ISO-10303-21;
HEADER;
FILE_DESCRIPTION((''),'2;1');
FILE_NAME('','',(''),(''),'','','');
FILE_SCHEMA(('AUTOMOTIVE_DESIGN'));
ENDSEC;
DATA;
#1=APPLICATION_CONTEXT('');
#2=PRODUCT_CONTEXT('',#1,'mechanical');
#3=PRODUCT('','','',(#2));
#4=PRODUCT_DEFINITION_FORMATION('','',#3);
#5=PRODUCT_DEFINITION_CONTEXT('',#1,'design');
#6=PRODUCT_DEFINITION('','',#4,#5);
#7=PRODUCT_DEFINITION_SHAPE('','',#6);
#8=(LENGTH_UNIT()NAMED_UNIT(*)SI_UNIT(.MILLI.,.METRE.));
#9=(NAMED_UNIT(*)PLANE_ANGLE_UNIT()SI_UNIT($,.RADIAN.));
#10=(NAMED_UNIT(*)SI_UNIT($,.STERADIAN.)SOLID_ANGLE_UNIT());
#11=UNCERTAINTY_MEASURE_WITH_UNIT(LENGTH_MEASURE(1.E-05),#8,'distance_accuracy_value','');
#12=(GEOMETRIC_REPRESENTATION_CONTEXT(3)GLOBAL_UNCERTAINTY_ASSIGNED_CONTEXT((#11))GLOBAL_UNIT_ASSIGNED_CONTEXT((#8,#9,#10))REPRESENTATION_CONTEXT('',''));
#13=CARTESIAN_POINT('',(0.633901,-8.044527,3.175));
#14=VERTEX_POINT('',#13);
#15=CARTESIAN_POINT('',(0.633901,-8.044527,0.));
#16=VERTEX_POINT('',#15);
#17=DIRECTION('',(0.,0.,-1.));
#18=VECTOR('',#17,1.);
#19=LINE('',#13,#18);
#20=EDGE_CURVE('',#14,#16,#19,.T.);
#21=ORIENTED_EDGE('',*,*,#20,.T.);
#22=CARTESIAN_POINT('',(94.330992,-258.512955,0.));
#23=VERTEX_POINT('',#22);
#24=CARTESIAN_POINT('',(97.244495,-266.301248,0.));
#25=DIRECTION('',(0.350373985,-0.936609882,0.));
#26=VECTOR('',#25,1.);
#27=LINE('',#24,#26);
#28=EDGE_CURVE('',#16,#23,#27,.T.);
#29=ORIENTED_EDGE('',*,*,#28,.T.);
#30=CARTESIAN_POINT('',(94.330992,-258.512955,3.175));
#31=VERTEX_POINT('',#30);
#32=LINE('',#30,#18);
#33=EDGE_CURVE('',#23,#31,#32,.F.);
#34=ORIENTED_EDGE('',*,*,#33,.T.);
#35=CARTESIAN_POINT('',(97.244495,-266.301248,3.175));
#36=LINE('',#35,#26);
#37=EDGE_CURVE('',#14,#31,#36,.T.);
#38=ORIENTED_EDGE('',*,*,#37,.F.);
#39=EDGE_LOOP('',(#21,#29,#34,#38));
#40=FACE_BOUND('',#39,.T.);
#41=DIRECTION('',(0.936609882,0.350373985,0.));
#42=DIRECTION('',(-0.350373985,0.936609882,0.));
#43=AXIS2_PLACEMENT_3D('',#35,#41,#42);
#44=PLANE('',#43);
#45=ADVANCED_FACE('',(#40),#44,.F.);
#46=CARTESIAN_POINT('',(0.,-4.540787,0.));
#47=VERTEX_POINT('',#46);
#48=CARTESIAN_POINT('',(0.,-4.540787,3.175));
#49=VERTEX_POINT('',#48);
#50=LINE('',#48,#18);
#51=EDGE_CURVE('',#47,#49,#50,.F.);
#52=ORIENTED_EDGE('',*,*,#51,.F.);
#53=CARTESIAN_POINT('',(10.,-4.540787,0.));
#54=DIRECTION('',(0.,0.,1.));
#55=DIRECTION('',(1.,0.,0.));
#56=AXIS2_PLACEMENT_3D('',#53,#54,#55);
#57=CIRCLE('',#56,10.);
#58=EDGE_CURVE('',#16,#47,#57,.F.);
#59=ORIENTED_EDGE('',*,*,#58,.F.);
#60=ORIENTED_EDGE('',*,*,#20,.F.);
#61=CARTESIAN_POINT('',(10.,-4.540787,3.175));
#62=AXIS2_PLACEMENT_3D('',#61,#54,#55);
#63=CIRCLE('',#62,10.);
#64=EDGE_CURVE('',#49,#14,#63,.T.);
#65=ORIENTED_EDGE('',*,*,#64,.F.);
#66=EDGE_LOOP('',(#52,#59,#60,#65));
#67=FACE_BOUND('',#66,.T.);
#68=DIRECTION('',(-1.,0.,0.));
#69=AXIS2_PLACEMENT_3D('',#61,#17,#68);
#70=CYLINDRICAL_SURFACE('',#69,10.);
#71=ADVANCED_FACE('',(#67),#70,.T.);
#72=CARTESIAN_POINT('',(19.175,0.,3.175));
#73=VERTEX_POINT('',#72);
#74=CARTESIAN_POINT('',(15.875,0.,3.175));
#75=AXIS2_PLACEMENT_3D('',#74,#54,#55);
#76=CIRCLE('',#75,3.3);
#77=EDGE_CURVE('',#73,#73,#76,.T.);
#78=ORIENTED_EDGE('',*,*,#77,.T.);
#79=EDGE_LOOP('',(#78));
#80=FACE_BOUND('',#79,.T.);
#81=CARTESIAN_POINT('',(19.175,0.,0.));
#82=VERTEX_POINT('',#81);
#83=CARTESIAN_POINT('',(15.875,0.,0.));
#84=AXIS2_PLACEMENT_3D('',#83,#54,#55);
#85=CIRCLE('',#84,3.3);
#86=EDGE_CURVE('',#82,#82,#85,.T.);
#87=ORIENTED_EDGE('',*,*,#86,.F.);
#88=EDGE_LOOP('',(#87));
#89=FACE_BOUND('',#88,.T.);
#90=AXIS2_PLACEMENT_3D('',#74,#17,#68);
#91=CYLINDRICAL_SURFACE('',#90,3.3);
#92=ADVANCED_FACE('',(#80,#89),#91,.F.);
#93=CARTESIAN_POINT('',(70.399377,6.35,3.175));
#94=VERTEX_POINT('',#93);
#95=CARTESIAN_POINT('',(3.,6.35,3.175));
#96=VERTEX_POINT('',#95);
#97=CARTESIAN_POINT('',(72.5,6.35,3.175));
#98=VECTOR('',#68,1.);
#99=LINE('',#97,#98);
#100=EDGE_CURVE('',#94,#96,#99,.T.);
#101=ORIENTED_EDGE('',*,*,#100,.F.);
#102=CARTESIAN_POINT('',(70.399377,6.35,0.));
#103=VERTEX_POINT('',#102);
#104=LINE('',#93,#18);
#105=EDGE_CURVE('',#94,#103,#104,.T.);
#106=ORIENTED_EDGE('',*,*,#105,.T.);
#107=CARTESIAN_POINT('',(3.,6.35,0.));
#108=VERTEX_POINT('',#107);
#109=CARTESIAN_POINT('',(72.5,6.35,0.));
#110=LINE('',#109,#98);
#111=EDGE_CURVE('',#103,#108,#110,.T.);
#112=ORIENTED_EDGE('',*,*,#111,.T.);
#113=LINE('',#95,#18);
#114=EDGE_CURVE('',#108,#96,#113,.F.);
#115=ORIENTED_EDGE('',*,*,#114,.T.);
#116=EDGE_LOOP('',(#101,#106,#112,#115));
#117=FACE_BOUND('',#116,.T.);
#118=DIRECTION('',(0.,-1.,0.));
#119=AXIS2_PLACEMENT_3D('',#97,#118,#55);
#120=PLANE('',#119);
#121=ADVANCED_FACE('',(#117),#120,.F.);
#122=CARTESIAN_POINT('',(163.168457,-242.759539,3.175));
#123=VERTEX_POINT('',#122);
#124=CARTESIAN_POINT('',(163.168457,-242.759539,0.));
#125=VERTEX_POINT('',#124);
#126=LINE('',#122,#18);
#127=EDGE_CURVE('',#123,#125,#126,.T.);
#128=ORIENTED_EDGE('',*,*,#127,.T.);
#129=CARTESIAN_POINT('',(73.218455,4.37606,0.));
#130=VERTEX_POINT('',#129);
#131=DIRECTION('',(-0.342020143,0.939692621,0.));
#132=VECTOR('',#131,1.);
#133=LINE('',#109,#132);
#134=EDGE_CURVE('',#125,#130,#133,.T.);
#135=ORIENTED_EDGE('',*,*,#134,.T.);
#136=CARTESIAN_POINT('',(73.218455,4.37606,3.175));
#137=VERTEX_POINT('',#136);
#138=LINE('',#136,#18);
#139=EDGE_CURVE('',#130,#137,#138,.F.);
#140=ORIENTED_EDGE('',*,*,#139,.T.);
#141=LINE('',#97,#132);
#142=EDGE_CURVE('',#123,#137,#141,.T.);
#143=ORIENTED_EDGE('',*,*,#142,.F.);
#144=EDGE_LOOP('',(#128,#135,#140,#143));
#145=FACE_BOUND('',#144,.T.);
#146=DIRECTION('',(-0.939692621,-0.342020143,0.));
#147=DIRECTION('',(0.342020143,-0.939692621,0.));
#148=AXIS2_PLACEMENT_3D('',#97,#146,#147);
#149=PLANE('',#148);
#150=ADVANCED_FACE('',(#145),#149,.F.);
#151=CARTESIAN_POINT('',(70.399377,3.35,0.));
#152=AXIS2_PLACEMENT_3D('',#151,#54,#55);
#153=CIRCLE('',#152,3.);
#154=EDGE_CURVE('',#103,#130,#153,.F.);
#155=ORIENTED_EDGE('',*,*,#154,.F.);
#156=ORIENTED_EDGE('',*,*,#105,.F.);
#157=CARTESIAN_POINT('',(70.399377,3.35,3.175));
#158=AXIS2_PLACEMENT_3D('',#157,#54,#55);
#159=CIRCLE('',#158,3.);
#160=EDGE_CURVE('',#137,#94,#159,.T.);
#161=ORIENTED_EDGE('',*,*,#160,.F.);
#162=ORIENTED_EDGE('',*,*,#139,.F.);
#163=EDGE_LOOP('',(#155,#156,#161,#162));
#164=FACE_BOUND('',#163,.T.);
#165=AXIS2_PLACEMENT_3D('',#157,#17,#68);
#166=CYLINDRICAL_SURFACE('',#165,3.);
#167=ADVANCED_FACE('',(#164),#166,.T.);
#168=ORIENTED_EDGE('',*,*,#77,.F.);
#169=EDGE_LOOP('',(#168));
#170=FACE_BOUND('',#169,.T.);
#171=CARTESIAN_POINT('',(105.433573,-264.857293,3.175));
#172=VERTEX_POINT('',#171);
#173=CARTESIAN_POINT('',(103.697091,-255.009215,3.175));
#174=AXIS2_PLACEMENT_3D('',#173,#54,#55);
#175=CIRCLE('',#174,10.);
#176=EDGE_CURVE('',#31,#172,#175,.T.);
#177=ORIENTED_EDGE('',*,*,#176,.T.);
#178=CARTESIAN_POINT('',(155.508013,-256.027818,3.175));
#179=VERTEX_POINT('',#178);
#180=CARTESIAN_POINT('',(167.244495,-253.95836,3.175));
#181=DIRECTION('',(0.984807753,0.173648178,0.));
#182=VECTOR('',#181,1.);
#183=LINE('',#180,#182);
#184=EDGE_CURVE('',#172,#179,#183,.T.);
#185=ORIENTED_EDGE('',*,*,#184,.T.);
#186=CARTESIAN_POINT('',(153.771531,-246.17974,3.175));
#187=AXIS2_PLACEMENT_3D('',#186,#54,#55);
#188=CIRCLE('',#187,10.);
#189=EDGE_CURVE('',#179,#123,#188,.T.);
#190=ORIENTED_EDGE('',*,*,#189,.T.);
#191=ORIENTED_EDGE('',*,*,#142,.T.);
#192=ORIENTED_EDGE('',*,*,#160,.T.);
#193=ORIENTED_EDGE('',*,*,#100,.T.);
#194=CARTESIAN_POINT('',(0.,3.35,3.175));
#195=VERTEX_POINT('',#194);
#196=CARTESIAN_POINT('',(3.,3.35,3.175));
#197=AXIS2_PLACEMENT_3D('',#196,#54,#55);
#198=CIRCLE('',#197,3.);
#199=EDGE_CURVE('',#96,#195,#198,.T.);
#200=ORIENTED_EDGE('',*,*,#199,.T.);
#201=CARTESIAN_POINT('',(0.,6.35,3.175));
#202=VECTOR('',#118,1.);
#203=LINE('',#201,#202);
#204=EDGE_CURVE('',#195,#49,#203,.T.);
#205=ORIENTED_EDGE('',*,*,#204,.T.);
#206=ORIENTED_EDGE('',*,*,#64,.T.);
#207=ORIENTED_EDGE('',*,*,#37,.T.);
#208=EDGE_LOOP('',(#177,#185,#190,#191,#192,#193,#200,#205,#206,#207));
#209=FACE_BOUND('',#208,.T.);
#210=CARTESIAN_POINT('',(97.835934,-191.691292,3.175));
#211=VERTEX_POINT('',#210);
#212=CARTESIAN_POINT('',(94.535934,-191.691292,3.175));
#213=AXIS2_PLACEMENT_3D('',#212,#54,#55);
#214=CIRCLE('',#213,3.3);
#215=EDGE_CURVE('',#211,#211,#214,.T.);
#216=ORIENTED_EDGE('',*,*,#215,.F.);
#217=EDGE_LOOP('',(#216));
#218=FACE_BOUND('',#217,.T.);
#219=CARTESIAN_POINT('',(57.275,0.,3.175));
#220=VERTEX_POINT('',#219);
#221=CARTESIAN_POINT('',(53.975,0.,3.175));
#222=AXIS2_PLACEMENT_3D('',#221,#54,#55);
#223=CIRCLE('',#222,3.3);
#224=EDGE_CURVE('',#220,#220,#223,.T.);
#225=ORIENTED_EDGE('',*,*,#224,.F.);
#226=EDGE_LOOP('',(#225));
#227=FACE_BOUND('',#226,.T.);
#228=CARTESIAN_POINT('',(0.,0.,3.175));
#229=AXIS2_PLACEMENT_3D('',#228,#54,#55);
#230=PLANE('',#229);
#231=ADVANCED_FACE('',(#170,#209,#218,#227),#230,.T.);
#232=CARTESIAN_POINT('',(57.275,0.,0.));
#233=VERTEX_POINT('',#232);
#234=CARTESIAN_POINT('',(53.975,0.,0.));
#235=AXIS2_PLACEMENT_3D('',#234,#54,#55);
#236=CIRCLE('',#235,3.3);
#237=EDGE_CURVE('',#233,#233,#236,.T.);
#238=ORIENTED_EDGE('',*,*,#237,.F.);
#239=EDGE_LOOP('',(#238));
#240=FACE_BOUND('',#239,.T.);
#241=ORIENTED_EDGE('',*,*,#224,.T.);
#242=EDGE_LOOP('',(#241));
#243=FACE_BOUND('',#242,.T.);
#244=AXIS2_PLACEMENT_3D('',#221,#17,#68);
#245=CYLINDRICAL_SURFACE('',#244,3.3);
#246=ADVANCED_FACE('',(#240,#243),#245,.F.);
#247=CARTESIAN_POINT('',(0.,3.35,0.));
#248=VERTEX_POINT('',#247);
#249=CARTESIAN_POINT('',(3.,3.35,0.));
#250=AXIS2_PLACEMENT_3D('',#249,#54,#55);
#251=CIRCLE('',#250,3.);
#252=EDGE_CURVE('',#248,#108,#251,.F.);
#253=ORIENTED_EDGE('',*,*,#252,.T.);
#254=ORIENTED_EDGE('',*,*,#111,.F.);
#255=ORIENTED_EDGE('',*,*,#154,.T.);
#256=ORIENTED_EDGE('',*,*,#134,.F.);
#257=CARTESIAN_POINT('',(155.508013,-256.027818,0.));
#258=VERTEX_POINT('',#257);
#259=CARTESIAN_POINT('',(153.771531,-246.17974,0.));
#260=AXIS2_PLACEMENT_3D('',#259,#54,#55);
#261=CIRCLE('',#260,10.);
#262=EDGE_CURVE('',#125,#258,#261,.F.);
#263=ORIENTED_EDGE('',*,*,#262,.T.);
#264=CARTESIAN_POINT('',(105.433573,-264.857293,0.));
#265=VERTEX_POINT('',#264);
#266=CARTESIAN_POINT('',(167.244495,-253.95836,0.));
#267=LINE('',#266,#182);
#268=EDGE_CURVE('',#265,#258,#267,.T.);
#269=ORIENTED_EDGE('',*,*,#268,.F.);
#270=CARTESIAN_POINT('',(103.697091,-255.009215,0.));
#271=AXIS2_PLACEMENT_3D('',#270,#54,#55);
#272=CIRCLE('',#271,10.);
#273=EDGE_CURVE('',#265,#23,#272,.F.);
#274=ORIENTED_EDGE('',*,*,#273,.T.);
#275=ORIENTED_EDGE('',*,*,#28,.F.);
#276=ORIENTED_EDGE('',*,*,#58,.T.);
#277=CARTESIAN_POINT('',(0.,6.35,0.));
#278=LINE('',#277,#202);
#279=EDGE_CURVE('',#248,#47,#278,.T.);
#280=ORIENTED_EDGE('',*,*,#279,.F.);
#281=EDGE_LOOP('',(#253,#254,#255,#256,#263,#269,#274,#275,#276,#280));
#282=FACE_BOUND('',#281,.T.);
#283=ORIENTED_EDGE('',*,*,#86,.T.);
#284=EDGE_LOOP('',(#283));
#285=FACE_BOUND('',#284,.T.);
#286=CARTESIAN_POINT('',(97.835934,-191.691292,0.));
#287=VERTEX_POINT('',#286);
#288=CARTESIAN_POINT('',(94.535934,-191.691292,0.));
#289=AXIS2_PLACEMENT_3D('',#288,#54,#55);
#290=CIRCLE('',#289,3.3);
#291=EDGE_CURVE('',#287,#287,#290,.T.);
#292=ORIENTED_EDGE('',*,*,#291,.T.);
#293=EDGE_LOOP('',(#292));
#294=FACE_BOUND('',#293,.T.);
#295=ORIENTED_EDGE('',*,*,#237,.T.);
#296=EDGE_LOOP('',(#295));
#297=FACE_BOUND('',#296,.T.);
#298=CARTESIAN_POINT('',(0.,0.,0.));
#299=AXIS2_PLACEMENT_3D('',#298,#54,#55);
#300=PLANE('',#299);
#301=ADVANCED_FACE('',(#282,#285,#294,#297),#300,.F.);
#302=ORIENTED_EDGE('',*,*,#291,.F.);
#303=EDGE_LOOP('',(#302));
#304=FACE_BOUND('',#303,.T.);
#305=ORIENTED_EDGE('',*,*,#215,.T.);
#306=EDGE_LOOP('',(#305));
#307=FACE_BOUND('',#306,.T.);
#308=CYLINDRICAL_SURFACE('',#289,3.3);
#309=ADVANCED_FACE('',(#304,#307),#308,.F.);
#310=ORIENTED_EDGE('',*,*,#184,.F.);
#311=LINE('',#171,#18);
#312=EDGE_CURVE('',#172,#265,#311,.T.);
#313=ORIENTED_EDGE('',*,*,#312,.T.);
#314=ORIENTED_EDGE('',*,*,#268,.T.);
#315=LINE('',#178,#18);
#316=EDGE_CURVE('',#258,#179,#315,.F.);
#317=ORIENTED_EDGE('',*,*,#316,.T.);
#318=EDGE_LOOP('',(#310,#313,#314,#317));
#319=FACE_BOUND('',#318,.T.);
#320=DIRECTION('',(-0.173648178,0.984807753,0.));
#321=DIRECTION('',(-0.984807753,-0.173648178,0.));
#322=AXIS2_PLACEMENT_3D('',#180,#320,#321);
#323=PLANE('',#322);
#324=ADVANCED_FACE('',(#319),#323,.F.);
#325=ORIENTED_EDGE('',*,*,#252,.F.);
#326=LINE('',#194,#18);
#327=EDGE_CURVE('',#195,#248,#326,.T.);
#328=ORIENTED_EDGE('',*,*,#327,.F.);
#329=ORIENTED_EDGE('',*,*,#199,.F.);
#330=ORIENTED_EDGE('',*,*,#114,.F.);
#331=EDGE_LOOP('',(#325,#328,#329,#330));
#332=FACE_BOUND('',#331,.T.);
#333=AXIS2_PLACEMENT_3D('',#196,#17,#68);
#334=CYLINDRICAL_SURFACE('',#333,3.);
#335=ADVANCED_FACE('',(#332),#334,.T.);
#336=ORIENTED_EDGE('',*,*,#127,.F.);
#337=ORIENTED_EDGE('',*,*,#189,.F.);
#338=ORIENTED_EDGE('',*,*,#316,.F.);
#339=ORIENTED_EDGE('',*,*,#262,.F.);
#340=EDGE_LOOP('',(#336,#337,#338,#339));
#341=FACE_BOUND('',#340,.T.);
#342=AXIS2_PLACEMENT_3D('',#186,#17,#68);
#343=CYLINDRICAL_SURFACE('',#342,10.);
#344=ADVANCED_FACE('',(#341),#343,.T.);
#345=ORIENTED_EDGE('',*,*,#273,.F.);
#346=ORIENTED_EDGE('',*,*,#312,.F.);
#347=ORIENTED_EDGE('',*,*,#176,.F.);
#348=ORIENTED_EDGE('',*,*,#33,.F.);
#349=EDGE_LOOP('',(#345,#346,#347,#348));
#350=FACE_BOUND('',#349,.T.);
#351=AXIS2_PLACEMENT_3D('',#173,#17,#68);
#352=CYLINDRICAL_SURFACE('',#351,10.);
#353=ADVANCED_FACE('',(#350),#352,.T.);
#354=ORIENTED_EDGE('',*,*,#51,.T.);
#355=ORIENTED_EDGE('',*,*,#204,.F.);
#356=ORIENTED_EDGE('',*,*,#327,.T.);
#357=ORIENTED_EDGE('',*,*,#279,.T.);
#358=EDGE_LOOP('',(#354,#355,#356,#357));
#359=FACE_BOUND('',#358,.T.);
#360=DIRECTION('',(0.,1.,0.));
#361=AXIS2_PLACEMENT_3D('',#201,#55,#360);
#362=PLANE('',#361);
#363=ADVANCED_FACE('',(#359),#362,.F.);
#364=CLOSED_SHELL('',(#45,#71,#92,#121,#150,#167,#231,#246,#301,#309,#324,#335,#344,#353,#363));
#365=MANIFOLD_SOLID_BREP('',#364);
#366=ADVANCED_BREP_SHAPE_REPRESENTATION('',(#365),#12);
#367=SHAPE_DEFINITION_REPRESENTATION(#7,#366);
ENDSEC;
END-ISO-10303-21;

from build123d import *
from OCP.BRepFilletAPI import BRepFilletAPI_MakeFillet

# Parameters (mm, degrees)
SKETCH1_R           = 3.3
BOSS_EXTRUDE1_DEPTH = 3.175
FILLET1_R1          = 10
FILLET1_R2          = 3
SKETCH2_R           = 3.3
CUT_EXTRUDE1_DEPTH  = 312.546271304


with BuildPart() as part:
    # Sketch1 → Boss-Extrude1 (new body)
    with BuildSketch(Plane.XY):
        Polygon((72.5, 6.35), (167.244494596, -253.95835952), (97.244494596, -266.301248169), (0, -6.35), (0, 6.35), align=None)
        with Locations((53.975, 0)):
            Circle(SKETCH1_R, mode=Mode.SUBTRACT)
        with Locations((15.875, 0)):
            Circle(SKETCH1_R, mode=Mode.SUBTRACT)
    extrude(amount=BOSS_EXTRUDE1_DEPTH)

    # Fillet1: one fillet with a radius per group of edges: ONE call of the kernel's fillet builder (fillet() takes one radius for all edges)
    fillet1_edges_1 = [part.edges().sort_by_distance(p)[0] for p in [
        (167.244494596, -253.95835952, 1.5875),
        (97.244494596, -266.301248169, 1.5875),
        (0, -6.35, 1.5875),
    ]]
    fillet1_edges_2 = [part.edges().sort_by_distance(p)[0] for p in [
        (72.5, 6.35, 1.5875),
        (0, 6.35, 1.5875),
    ]]
    fillet1 = BRepFilletAPI_MakeFillet(part.part.solid().wrapped)
    for e in fillet1_edges_1:
        fillet1.Add(FILLET1_R1, e.wrapped)
    for e in fillet1_edges_2:
        fillet1.Add(FILLET1_R2, e.wrapped)
    add(Compound.cast(fillet1.Shape()), mode=Mode.REPLACE)

    # Sketch2 → Cut-Extrude1 (cut, through all)
    with BuildSketch(Plane.XY.offset(3.175)):
        with Locations((94.53593378, -191.691292203)):
            Circle(SKETCH2_R)
    extrude(amount=-CUT_EXTRUDE1_DEPTH, mode=Mode.SUBTRACT)


solid = part.part
